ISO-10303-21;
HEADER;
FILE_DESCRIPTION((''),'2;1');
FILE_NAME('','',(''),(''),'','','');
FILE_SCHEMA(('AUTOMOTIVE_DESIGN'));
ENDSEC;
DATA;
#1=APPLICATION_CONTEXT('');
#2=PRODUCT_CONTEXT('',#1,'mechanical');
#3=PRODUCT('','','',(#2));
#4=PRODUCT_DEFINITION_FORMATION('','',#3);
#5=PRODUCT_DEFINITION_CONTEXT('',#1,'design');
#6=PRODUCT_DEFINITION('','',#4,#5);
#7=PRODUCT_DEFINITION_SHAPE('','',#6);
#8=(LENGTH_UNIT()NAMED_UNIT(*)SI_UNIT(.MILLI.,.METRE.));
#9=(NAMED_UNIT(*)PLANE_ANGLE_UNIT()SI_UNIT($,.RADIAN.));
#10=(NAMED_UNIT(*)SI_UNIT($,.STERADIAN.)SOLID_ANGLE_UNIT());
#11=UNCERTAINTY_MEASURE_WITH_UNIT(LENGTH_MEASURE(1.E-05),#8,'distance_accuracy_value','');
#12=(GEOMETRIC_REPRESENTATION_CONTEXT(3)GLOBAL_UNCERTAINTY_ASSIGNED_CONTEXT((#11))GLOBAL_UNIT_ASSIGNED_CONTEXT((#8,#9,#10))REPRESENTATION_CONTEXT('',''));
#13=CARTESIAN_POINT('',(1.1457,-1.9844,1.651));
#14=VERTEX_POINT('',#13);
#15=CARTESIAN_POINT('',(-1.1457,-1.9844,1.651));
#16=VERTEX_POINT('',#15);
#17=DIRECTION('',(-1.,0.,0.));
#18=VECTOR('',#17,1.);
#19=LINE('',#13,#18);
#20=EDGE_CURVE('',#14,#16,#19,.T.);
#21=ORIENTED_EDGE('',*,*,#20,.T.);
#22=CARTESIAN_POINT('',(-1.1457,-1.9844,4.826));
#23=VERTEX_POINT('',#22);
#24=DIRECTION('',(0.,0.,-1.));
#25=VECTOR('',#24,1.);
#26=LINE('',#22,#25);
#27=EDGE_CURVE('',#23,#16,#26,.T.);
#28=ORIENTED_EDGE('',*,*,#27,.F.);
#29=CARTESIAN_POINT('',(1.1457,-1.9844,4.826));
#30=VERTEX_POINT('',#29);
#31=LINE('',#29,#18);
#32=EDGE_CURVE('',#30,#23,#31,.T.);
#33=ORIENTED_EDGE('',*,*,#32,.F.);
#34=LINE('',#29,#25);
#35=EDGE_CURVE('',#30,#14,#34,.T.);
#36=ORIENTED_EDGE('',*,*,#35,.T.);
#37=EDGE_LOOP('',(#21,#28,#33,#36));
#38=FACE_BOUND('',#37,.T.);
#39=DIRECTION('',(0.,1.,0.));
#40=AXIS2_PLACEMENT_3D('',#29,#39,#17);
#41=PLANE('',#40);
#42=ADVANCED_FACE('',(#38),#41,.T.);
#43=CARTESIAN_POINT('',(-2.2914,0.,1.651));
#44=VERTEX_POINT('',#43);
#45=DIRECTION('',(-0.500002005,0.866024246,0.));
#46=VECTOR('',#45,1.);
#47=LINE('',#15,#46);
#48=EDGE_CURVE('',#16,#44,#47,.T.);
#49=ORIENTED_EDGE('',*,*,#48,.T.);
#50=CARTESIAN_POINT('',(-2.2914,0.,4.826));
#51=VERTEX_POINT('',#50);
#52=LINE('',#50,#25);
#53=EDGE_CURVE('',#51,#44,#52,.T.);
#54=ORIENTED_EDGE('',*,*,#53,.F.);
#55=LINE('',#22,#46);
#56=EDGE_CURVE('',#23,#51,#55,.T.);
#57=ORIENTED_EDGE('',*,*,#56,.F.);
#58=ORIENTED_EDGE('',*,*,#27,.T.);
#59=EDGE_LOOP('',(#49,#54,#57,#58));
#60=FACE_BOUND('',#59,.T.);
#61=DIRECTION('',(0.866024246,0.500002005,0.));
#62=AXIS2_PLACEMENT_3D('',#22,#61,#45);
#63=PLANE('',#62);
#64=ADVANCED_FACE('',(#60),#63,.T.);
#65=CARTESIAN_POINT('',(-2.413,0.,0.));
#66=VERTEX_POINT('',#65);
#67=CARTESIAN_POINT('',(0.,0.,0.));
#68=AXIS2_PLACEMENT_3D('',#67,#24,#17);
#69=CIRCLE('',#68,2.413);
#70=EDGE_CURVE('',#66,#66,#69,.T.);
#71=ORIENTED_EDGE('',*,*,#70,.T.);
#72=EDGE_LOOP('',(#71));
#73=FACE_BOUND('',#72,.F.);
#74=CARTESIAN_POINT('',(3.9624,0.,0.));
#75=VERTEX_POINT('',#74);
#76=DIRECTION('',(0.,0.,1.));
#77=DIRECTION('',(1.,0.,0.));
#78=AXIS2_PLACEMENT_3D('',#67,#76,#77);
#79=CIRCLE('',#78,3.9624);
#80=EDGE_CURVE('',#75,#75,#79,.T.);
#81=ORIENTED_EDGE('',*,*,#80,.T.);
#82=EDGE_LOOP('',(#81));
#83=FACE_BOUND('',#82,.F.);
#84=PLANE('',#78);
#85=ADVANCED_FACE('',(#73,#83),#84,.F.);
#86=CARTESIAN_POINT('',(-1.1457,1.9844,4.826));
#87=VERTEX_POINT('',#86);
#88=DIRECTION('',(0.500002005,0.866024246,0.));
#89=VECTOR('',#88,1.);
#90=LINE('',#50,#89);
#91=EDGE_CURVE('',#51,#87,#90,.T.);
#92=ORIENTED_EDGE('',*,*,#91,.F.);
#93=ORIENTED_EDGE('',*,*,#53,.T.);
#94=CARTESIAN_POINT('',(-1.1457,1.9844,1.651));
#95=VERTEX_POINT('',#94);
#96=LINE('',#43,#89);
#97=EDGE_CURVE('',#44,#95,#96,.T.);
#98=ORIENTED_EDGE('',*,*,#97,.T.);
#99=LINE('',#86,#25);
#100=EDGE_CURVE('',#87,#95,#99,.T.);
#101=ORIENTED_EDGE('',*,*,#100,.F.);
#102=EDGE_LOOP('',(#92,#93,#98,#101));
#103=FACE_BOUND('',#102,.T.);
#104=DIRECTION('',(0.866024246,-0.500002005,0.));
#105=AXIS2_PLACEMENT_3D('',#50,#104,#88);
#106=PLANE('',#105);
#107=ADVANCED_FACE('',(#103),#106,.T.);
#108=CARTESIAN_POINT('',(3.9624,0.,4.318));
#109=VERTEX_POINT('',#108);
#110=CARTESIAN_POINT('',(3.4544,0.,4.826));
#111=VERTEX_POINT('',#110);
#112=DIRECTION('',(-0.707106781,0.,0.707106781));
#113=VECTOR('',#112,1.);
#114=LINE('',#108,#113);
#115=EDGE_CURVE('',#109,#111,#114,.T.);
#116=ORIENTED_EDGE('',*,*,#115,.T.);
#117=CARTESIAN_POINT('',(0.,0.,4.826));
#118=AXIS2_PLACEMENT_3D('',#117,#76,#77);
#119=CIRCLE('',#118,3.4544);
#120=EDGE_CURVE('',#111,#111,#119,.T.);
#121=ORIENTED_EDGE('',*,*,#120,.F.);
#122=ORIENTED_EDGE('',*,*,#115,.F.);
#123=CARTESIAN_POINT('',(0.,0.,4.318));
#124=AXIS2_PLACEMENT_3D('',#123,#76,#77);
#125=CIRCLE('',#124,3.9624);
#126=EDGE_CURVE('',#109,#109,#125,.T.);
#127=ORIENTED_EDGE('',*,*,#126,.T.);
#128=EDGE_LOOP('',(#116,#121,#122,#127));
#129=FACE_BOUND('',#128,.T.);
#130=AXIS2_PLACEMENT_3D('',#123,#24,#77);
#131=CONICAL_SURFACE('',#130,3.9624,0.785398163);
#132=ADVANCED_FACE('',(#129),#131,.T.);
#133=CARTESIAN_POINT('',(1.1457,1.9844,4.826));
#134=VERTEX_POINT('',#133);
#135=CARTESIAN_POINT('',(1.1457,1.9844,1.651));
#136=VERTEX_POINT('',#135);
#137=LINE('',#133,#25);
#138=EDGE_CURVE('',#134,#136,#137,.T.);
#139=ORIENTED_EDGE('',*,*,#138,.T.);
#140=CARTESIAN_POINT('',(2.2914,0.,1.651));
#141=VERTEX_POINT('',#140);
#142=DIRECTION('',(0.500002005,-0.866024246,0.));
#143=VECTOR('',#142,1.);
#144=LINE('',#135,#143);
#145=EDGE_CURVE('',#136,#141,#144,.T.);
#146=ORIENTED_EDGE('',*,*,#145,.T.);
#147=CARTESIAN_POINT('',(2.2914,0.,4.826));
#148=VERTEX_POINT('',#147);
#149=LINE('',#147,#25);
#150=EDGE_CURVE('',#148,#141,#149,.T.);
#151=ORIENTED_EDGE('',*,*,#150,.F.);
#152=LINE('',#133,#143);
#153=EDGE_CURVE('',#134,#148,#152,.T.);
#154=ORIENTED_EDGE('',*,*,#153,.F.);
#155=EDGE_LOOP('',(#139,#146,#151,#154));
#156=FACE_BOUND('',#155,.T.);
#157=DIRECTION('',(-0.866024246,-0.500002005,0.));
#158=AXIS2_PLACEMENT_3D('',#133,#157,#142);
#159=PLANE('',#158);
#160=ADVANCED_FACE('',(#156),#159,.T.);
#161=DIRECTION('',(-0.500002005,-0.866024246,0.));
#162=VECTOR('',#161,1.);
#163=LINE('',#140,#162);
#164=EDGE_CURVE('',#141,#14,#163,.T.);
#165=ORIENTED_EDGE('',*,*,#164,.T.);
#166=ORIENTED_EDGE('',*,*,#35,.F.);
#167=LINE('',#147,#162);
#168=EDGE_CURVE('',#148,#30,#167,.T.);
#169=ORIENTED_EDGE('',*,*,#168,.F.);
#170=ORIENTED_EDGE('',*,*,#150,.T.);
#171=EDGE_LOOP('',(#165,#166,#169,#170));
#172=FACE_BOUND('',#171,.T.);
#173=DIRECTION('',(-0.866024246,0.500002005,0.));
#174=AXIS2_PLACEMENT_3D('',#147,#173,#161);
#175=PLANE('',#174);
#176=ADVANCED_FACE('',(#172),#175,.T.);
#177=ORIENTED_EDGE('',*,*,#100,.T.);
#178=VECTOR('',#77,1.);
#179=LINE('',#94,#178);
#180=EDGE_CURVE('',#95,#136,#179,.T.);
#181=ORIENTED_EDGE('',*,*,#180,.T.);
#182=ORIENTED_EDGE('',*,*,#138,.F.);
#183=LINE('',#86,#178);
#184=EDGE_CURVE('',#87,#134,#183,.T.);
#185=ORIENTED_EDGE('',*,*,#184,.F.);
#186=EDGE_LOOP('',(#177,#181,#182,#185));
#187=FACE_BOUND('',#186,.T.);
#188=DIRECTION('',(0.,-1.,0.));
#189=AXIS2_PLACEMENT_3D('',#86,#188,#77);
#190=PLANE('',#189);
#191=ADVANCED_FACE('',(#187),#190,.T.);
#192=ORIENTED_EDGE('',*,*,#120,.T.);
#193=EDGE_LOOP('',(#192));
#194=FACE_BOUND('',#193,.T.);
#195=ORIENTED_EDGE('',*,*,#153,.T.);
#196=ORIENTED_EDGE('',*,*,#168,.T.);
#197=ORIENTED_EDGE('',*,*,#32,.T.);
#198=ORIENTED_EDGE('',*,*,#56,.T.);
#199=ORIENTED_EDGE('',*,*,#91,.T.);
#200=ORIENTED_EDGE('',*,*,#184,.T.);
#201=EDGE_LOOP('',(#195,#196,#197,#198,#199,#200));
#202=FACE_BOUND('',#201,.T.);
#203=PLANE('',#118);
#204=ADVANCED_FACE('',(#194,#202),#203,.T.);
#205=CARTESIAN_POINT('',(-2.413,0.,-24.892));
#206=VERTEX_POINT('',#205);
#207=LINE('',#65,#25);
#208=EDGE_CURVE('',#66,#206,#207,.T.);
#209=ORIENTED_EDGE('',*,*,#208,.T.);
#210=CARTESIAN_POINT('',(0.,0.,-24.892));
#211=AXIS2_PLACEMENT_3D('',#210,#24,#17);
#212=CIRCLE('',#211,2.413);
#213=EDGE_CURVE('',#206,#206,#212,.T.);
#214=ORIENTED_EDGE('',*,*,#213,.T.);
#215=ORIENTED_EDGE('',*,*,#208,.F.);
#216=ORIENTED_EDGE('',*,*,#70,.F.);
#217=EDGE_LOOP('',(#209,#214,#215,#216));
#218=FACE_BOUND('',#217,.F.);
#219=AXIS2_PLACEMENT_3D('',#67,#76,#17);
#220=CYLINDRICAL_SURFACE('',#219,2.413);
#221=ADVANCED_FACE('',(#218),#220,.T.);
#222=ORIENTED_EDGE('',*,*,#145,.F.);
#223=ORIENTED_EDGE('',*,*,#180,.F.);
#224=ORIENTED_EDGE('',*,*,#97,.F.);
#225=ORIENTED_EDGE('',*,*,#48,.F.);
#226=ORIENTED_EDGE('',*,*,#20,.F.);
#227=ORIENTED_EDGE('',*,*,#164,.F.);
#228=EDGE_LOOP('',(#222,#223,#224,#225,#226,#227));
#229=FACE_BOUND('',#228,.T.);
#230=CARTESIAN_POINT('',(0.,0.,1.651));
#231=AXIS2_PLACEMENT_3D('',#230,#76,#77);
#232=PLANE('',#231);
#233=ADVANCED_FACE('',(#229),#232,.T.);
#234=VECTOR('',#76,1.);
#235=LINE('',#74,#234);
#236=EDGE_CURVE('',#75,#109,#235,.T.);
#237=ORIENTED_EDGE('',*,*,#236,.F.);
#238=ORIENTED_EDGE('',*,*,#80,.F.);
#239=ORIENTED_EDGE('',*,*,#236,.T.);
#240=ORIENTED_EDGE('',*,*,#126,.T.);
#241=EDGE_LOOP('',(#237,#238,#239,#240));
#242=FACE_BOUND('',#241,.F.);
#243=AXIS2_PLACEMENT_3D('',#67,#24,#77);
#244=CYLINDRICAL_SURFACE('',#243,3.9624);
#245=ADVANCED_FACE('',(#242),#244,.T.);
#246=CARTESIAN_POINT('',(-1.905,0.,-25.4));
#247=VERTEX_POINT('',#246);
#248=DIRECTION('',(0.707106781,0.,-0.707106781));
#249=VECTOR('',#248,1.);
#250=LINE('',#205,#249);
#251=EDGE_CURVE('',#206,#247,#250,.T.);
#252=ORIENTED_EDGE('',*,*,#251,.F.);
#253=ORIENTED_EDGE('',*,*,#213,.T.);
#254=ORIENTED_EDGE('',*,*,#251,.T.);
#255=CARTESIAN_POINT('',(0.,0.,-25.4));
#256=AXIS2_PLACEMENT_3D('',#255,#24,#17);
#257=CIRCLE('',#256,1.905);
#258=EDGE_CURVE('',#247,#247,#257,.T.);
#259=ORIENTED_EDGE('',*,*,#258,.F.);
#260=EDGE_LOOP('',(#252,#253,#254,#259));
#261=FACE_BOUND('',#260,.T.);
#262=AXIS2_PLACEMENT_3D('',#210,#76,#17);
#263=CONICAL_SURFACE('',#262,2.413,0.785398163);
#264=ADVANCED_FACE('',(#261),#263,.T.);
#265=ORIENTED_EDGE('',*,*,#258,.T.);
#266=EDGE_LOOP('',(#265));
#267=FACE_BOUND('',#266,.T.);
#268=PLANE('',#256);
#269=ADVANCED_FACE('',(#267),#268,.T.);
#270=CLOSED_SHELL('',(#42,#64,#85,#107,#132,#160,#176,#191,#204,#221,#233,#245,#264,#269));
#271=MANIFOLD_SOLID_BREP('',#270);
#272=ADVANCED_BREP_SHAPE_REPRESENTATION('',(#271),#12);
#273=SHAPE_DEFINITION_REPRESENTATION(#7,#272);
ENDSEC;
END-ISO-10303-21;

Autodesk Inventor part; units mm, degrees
ref_plane "YZ Plane" through (0, 0, 0) normal (1, 0, 0) x (0, 1, 0)
ref_plane "XZ Plane" through (0, 0, 0) normal (0, 1, 0) x (-1, 0, 0)
ref_plane "XY Plane" through (0, 0, 0) normal (0, 0, 1) x (1, 0, 0)
sketch "Sketch1" plane through (0, 0, 0) normal (0, 0, 1) x (1, 0, 0)
  circle A0 centre (0, 0) radius 3.9624
  dimension "d0" = 7.9248
extrude "Extrusion1" add sketch "Sketch1" along normal blind 4.826
sketch "Sketch2" plane through (0, 0, 0) normal (0, 0, -1) x (-1, 0, 0)
  circle A0 centre (0, 0) radius 3.9624 projected
  circle A1 centre (0, 0) radius 2.413
  dimension "d3" = 4.826
extrude "Extrusion2" add sketch "Sketch2" along normal blind 25.4 contours A1
sketch "Sketch3" plane through (0, 0, 4.826) normal (0, 0, 1) x (1, 0, 0)
  circle A0 centre (0, 0) radius 3.9624 projected
  line L0 (-1.1457, 1.9844) -> (1.1457, 1.9844)
  line L1 (1.1457, 1.9844) -> (2.2914, 0)
  line L2 (2.2914, 0) -> (1.1457, -1.9844)
  line L3 (1.1457, -1.9844) -> (-1.1457, -1.9844)
  line L4 (-1.1457, -1.9844) -> (-2.2914, 0)
  line L5 (-2.2914, 0) -> (-1.1457, 1.9844)
  dimension "d6" = 3.9688
extrude "Extrusion3" cut sketch "Sketch3" against normal blind 3.175 contours L0 L1 L2 L3 L4 L5
thread "Thread1" size "10-32 UNF" class "2A" standard "ANSI Unified Screw Threads" length 25.4
chamfer "Chamfer1" distance 0.508 angle 45 1 edges at (2.413, 0, -25.4)
chamfer "Chamfer2" distance 0.508 angle 45 1 edges at (-3.9624, 0, 4.826)
properties part number "10-32 x1000" material "Stainless Steel"
